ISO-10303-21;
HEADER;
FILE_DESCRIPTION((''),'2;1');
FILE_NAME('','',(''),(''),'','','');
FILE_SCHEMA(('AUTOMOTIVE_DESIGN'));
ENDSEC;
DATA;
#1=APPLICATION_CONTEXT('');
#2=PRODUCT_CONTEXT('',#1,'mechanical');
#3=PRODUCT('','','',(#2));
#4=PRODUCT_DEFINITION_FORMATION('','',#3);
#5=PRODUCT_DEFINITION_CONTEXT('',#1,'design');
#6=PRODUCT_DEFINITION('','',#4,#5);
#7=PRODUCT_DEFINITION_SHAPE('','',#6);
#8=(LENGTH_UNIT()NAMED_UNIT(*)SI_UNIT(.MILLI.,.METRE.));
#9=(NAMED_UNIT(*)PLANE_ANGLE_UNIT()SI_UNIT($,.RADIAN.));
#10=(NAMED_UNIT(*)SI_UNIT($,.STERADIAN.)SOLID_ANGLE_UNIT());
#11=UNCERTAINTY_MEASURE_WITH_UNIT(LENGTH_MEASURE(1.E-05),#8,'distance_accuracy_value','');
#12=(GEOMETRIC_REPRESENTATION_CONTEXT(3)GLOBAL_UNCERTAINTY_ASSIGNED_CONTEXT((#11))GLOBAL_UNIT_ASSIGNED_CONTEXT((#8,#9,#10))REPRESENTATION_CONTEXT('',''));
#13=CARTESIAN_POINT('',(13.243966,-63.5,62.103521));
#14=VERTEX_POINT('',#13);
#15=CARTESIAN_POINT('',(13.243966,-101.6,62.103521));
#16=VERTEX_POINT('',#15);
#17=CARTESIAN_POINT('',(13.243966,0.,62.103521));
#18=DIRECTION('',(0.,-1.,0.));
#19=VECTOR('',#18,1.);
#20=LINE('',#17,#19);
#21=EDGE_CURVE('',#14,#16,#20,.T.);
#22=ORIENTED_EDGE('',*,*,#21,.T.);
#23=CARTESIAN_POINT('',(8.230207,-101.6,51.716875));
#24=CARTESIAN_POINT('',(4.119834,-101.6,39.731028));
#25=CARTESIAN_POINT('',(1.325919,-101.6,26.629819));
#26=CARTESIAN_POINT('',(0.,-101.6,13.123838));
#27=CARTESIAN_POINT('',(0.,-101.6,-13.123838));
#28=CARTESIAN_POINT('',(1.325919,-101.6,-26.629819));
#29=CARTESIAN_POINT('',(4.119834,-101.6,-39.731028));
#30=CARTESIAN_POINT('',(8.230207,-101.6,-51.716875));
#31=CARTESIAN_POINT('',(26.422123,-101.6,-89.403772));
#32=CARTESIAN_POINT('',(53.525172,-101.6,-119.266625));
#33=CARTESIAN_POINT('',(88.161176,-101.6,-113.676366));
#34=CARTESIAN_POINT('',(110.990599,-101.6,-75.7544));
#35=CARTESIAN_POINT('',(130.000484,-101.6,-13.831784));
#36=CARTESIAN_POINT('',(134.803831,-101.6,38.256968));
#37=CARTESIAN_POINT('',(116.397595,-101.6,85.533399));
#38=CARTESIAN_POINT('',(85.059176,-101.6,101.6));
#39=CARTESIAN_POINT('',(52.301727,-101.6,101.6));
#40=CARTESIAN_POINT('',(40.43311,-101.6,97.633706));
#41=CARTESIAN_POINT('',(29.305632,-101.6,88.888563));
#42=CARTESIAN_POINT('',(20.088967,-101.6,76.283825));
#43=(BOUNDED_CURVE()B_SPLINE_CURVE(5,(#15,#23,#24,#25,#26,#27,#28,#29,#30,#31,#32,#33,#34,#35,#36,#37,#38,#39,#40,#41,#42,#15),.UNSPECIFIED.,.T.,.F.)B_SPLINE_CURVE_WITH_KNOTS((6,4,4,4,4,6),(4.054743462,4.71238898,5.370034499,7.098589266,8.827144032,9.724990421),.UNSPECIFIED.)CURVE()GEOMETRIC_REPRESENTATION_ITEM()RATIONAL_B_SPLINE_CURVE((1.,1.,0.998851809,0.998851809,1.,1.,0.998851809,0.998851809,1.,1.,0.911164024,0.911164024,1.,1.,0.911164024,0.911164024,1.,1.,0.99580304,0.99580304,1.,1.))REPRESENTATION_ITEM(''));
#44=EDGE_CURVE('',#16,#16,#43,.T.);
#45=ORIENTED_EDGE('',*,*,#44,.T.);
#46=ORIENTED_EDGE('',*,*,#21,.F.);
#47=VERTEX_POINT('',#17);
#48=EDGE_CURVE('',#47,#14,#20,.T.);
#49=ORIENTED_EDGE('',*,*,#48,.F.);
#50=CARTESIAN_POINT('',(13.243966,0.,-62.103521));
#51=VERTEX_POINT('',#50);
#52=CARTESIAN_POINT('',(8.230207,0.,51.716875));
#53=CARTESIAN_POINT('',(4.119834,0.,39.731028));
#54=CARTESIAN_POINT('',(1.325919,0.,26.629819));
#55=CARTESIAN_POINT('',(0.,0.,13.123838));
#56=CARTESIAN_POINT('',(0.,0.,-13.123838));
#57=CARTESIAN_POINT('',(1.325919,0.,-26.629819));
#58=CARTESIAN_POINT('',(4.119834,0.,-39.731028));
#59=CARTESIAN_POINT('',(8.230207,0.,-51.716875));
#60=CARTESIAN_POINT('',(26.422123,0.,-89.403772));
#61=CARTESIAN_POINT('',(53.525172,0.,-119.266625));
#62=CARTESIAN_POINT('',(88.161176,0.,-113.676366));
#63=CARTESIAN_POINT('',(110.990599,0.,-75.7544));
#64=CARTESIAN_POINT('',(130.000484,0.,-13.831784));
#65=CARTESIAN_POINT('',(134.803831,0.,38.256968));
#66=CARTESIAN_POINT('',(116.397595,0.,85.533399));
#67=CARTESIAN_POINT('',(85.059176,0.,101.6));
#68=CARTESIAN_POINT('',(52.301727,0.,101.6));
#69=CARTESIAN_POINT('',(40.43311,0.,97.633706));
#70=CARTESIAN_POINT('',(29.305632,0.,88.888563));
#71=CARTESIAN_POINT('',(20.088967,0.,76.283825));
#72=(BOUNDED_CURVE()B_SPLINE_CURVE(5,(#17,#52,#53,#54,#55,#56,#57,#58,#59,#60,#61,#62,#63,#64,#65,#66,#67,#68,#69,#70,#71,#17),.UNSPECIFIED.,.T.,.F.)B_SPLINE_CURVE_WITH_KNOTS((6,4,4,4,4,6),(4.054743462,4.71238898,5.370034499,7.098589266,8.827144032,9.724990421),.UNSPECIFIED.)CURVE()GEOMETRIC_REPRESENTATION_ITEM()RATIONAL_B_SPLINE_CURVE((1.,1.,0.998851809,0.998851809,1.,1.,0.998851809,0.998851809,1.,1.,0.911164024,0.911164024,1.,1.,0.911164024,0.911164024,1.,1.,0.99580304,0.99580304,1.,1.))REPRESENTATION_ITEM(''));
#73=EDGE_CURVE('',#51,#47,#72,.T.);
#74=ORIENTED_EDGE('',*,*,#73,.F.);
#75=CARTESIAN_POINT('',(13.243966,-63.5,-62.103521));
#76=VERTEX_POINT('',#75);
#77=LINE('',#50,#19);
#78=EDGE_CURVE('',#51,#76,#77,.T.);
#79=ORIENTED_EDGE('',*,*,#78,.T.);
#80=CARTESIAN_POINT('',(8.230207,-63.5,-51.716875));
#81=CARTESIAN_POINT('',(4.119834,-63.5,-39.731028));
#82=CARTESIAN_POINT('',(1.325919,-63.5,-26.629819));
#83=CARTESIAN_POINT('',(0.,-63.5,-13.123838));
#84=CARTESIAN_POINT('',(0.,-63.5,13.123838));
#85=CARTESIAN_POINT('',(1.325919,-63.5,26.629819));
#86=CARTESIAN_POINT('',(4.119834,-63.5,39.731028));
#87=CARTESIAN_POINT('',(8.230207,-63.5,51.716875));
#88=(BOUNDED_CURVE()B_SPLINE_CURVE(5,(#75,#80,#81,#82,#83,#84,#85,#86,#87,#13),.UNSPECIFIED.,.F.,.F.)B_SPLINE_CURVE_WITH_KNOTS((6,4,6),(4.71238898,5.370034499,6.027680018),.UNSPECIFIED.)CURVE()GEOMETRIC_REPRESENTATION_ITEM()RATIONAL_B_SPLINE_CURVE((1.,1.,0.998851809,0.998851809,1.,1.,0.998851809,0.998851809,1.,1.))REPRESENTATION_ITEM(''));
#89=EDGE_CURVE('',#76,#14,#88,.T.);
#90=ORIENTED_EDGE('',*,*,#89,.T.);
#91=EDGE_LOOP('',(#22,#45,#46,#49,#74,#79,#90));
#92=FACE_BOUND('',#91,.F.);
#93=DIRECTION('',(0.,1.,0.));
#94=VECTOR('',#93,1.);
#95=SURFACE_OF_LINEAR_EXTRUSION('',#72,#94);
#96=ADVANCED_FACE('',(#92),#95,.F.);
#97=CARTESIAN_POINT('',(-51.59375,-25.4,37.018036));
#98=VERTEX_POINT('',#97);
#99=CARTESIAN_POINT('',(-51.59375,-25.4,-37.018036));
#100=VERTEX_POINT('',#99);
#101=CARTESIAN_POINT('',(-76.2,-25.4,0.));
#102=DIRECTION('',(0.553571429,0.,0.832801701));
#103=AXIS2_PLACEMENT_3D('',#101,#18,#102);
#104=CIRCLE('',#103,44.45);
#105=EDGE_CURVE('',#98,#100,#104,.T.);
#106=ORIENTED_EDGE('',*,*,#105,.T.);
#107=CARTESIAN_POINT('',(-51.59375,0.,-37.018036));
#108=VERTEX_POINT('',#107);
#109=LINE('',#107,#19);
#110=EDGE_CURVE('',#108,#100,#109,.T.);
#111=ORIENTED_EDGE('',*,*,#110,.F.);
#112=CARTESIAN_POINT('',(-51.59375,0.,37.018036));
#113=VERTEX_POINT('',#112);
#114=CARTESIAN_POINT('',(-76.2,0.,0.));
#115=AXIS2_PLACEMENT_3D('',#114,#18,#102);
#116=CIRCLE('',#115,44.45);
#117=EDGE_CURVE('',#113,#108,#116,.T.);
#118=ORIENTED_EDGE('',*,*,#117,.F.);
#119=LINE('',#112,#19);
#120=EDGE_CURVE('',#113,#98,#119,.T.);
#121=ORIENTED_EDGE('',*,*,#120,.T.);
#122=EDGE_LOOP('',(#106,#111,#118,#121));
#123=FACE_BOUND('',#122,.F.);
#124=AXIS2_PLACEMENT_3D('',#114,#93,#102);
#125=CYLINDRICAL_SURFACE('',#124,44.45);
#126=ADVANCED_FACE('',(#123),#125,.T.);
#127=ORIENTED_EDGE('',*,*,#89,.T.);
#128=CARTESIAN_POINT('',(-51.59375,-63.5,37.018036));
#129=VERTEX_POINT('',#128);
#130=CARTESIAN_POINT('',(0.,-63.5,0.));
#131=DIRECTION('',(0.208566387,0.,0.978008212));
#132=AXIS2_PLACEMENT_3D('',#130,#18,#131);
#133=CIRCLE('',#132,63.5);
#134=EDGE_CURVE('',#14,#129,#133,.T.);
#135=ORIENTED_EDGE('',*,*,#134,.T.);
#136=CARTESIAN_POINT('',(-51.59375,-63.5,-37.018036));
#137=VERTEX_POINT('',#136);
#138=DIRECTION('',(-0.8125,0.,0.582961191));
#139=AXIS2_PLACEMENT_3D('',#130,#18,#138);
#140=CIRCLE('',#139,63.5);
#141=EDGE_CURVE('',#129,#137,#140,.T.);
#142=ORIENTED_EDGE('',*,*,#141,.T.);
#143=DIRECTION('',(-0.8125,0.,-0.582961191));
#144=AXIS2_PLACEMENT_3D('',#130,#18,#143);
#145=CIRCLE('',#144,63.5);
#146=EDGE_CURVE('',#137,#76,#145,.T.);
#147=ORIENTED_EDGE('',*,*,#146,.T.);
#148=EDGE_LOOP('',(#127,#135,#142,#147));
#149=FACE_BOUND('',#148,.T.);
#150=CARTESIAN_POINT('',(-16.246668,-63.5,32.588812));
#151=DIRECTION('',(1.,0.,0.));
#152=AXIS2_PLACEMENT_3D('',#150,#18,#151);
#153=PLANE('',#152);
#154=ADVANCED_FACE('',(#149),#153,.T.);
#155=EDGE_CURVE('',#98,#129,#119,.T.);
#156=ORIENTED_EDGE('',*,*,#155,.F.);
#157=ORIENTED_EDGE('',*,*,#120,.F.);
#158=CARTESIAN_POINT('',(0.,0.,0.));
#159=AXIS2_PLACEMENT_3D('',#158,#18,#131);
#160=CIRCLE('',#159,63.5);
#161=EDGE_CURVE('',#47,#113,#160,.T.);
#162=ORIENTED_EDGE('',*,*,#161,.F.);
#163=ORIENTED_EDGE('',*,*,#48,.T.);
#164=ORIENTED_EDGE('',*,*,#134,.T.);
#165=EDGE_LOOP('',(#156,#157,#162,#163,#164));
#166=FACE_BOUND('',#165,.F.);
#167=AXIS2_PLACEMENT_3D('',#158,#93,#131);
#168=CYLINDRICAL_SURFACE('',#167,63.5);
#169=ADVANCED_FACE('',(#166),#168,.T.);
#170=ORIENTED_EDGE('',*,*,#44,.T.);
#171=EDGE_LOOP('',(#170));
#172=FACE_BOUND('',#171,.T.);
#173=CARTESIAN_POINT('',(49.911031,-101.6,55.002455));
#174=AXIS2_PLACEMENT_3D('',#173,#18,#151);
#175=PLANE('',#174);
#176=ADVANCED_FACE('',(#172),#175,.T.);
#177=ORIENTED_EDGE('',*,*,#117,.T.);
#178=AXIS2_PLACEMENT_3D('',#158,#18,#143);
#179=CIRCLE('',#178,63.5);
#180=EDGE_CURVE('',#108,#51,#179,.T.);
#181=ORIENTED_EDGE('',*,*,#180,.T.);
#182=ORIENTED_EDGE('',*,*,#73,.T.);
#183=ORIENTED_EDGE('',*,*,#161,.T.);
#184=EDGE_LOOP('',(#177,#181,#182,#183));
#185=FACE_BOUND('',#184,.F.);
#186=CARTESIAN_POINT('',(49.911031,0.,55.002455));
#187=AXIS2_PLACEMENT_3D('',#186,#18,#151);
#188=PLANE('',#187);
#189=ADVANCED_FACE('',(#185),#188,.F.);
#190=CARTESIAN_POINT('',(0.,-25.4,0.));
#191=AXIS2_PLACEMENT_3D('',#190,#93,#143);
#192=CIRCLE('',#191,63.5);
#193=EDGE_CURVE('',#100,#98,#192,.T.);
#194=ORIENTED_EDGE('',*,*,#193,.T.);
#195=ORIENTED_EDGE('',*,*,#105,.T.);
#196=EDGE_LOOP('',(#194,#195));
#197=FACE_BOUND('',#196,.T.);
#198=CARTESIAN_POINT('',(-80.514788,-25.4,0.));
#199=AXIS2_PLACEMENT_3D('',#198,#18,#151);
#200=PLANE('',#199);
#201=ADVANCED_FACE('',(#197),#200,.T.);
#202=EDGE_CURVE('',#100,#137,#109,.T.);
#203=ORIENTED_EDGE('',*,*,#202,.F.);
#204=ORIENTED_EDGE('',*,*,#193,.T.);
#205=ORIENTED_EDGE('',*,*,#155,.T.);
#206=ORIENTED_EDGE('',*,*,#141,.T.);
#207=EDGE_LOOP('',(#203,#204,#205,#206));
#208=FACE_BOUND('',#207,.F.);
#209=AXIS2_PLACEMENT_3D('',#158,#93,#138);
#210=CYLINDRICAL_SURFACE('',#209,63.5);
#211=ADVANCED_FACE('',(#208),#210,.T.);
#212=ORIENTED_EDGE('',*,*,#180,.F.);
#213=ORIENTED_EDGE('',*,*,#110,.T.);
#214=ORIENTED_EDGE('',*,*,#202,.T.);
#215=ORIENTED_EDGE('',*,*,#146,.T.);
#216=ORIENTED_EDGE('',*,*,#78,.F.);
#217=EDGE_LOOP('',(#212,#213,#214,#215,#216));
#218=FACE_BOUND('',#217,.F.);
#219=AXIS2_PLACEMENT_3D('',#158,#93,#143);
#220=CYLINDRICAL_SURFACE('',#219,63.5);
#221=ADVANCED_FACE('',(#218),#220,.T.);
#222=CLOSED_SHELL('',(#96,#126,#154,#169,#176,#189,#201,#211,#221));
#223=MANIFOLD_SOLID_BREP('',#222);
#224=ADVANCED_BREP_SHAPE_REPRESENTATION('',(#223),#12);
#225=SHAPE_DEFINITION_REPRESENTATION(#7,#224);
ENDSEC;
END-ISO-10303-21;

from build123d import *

# Parameters (mm, degrees)
F1_DEPTH = 25.4
F2_DEPTH = 63.5
F3_DEPTH = 101.6


with BuildPart() as f1:
    # F0 (on Front) → F1 (new body)
    with BuildSketch(Plane.XZ):
        with BuildLine():
            ThreePointArc((-51.59375, -37.0180356169), (-60.4501990278, -19.4428248333), (-63.5, 0))
            ThreePointArc((-63.5, 0), (-60.4501990278, 19.4428248333), (-51.59375, 37.0180356169))
            ThreePointArc((-51.59375, 37.0180356169), (-120.65, 0), (-51.59375, -37.0180356169))
        make_face()
    extrude(amount=F1_DEPTH)

    # F0 (on Front) → F2 (join)
    with BuildSketch(Plane.XZ):
        with BuildLine():
            Line((-31.75, 0), (0, 0))
            add(Edge.make_bspline(
                [(13.2439655959, 62.1035214404), (0, 34.6669399309), (0, 0)],
                knots=[4.0547434617, 4.0547434617, 4.0547434617, 4.7123889804, 4.7123889804, 4.7123889804], degree=2, weights=[1, 0.9464231645, 1]))
            ThreePointArc((13.2439655959, 62.1035214404), (-22.9128106244, 59.2220660674), (-51.59375, 37.0180356169))
            ThreePointArc((-51.59375, 37.0180356169), (-37.0237934934, 21.0006510316), (-31.75, 0))
        make_face()
        with BuildLine():
            Line((-63.5, 0), (-31.75, 0))
            ThreePointArc((-31.75, 0), (-37.0237934934, 21.0006510316), (-51.59375, 37.0180356169))
            ThreePointArc((-51.59375, 37.0180356169), (-60.4501990278, 19.4428248333), (-63.5, 0))
        make_face()
        with BuildLine():
            ThreePointArc((-51.59375, -37.0180356169), (-37.0237934934, -21.0006510316), (-31.75, 0))
            Line((-31.75, 0), (-63.5, 0))
            ThreePointArc((-63.5, 0), (-60.4501990278, -19.4428248333), (-51.59375, -37.0180356169))
        make_face()
        with BuildLine():
            add(Edge.make_bspline(
                [(0, 0), (0, -34.6669399309), (13.2439655959, -62.1035214404)],
                knots=[4.7123889804, 4.7123889804, 4.7123889804, 5.370034499, 5.370034499, 5.370034499], degree=2, weights=[1, 0.9464231645, 1]))
            Line((0, 0), (-31.75, 0))
            ThreePointArc((-31.75, 0), (-37.0237934934, -21.0006510316), (-51.59375, -37.0180356169))
            ThreePointArc((-51.59375, -37.0180356169), (-22.9128106244, -59.2220660674), (13.2439655959, -62.1035214404))
        make_face()
    extrude(amount=F2_DEPTH)

    # F0 (on Front) → F3 (join)
    with BuildSketch(Plane.XZ):
        with BuildLine():
            add(Edge.make_bspline(
                [(63.5, 101.6), (32.3093875408, 101.6), (13.2439655959, 62.1035214404)],
                knots=[3.1415926536, 3.1415926536, 3.1415926536, 4.0547434617, 4.0547434617, 4.0547434617], degree=2, weights=[1, 0.8975675831, 1]))
            ThreePointArc((13.2439655959, 62.1035214404), (49.3621404284, 39.9453262889), (63.5, 0))
            Line((63.5, 0), (63.5, 101.6))
        make_face()
        with BuildLine():
            ThreePointArc((63.5, 0), (49.3621404284, -39.9453262889), (13.2439655959, -62.1035214404))
            add(Edge.make_bspline(
                [(13.2439655959, -62.1035214404), (75.5537087854, -191.1861844445), (120.4955415237, -44.7930922222), (165.437374262, 101.6), (63.5, 101.6)],
                knots=[5.370034499, 5.370034499, 5.370034499, 7.3974062299, 7.3974062299, 9.4247779608, 9.4247779608, 9.4247779608], degree=2, weights=[1, 0.5287358074, 1, 0.5287358074, 1]))
            Line((63.5, 101.6), (63.5, 0))
        make_face()
        with BuildLine():
            add(Edge.make_bspline(
                [(13.2439655959, 62.1035214404), (0, 34.6669399309), (0, 0)],
                knots=[4.0547434617, 4.0547434617, 4.0547434617, 4.7123889804, 4.7123889804, 4.7123889804], degree=2, weights=[1, 0.9464231645, 1]))
            add(Edge.make_bspline(
                [(0, 0), (0, -34.6669399309), (13.2439655959, -62.1035214404)],
                knots=[4.7123889804, 4.7123889804, 4.7123889804, 5.370034499, 5.370034499, 5.370034499], degree=2, weights=[1, 0.9464231645, 1]))
            ThreePointArc((13.2439655959, -62.1035214404), (49.3621404284, -39.9453262889), (63.5, 0))
            ThreePointArc((63.5, 0), (49.3621404284, 39.9453262889), (13.2439655959, 62.1035214404))
        make_face()
    extrude(amount=F3_DEPTH)


solid = f1.part
